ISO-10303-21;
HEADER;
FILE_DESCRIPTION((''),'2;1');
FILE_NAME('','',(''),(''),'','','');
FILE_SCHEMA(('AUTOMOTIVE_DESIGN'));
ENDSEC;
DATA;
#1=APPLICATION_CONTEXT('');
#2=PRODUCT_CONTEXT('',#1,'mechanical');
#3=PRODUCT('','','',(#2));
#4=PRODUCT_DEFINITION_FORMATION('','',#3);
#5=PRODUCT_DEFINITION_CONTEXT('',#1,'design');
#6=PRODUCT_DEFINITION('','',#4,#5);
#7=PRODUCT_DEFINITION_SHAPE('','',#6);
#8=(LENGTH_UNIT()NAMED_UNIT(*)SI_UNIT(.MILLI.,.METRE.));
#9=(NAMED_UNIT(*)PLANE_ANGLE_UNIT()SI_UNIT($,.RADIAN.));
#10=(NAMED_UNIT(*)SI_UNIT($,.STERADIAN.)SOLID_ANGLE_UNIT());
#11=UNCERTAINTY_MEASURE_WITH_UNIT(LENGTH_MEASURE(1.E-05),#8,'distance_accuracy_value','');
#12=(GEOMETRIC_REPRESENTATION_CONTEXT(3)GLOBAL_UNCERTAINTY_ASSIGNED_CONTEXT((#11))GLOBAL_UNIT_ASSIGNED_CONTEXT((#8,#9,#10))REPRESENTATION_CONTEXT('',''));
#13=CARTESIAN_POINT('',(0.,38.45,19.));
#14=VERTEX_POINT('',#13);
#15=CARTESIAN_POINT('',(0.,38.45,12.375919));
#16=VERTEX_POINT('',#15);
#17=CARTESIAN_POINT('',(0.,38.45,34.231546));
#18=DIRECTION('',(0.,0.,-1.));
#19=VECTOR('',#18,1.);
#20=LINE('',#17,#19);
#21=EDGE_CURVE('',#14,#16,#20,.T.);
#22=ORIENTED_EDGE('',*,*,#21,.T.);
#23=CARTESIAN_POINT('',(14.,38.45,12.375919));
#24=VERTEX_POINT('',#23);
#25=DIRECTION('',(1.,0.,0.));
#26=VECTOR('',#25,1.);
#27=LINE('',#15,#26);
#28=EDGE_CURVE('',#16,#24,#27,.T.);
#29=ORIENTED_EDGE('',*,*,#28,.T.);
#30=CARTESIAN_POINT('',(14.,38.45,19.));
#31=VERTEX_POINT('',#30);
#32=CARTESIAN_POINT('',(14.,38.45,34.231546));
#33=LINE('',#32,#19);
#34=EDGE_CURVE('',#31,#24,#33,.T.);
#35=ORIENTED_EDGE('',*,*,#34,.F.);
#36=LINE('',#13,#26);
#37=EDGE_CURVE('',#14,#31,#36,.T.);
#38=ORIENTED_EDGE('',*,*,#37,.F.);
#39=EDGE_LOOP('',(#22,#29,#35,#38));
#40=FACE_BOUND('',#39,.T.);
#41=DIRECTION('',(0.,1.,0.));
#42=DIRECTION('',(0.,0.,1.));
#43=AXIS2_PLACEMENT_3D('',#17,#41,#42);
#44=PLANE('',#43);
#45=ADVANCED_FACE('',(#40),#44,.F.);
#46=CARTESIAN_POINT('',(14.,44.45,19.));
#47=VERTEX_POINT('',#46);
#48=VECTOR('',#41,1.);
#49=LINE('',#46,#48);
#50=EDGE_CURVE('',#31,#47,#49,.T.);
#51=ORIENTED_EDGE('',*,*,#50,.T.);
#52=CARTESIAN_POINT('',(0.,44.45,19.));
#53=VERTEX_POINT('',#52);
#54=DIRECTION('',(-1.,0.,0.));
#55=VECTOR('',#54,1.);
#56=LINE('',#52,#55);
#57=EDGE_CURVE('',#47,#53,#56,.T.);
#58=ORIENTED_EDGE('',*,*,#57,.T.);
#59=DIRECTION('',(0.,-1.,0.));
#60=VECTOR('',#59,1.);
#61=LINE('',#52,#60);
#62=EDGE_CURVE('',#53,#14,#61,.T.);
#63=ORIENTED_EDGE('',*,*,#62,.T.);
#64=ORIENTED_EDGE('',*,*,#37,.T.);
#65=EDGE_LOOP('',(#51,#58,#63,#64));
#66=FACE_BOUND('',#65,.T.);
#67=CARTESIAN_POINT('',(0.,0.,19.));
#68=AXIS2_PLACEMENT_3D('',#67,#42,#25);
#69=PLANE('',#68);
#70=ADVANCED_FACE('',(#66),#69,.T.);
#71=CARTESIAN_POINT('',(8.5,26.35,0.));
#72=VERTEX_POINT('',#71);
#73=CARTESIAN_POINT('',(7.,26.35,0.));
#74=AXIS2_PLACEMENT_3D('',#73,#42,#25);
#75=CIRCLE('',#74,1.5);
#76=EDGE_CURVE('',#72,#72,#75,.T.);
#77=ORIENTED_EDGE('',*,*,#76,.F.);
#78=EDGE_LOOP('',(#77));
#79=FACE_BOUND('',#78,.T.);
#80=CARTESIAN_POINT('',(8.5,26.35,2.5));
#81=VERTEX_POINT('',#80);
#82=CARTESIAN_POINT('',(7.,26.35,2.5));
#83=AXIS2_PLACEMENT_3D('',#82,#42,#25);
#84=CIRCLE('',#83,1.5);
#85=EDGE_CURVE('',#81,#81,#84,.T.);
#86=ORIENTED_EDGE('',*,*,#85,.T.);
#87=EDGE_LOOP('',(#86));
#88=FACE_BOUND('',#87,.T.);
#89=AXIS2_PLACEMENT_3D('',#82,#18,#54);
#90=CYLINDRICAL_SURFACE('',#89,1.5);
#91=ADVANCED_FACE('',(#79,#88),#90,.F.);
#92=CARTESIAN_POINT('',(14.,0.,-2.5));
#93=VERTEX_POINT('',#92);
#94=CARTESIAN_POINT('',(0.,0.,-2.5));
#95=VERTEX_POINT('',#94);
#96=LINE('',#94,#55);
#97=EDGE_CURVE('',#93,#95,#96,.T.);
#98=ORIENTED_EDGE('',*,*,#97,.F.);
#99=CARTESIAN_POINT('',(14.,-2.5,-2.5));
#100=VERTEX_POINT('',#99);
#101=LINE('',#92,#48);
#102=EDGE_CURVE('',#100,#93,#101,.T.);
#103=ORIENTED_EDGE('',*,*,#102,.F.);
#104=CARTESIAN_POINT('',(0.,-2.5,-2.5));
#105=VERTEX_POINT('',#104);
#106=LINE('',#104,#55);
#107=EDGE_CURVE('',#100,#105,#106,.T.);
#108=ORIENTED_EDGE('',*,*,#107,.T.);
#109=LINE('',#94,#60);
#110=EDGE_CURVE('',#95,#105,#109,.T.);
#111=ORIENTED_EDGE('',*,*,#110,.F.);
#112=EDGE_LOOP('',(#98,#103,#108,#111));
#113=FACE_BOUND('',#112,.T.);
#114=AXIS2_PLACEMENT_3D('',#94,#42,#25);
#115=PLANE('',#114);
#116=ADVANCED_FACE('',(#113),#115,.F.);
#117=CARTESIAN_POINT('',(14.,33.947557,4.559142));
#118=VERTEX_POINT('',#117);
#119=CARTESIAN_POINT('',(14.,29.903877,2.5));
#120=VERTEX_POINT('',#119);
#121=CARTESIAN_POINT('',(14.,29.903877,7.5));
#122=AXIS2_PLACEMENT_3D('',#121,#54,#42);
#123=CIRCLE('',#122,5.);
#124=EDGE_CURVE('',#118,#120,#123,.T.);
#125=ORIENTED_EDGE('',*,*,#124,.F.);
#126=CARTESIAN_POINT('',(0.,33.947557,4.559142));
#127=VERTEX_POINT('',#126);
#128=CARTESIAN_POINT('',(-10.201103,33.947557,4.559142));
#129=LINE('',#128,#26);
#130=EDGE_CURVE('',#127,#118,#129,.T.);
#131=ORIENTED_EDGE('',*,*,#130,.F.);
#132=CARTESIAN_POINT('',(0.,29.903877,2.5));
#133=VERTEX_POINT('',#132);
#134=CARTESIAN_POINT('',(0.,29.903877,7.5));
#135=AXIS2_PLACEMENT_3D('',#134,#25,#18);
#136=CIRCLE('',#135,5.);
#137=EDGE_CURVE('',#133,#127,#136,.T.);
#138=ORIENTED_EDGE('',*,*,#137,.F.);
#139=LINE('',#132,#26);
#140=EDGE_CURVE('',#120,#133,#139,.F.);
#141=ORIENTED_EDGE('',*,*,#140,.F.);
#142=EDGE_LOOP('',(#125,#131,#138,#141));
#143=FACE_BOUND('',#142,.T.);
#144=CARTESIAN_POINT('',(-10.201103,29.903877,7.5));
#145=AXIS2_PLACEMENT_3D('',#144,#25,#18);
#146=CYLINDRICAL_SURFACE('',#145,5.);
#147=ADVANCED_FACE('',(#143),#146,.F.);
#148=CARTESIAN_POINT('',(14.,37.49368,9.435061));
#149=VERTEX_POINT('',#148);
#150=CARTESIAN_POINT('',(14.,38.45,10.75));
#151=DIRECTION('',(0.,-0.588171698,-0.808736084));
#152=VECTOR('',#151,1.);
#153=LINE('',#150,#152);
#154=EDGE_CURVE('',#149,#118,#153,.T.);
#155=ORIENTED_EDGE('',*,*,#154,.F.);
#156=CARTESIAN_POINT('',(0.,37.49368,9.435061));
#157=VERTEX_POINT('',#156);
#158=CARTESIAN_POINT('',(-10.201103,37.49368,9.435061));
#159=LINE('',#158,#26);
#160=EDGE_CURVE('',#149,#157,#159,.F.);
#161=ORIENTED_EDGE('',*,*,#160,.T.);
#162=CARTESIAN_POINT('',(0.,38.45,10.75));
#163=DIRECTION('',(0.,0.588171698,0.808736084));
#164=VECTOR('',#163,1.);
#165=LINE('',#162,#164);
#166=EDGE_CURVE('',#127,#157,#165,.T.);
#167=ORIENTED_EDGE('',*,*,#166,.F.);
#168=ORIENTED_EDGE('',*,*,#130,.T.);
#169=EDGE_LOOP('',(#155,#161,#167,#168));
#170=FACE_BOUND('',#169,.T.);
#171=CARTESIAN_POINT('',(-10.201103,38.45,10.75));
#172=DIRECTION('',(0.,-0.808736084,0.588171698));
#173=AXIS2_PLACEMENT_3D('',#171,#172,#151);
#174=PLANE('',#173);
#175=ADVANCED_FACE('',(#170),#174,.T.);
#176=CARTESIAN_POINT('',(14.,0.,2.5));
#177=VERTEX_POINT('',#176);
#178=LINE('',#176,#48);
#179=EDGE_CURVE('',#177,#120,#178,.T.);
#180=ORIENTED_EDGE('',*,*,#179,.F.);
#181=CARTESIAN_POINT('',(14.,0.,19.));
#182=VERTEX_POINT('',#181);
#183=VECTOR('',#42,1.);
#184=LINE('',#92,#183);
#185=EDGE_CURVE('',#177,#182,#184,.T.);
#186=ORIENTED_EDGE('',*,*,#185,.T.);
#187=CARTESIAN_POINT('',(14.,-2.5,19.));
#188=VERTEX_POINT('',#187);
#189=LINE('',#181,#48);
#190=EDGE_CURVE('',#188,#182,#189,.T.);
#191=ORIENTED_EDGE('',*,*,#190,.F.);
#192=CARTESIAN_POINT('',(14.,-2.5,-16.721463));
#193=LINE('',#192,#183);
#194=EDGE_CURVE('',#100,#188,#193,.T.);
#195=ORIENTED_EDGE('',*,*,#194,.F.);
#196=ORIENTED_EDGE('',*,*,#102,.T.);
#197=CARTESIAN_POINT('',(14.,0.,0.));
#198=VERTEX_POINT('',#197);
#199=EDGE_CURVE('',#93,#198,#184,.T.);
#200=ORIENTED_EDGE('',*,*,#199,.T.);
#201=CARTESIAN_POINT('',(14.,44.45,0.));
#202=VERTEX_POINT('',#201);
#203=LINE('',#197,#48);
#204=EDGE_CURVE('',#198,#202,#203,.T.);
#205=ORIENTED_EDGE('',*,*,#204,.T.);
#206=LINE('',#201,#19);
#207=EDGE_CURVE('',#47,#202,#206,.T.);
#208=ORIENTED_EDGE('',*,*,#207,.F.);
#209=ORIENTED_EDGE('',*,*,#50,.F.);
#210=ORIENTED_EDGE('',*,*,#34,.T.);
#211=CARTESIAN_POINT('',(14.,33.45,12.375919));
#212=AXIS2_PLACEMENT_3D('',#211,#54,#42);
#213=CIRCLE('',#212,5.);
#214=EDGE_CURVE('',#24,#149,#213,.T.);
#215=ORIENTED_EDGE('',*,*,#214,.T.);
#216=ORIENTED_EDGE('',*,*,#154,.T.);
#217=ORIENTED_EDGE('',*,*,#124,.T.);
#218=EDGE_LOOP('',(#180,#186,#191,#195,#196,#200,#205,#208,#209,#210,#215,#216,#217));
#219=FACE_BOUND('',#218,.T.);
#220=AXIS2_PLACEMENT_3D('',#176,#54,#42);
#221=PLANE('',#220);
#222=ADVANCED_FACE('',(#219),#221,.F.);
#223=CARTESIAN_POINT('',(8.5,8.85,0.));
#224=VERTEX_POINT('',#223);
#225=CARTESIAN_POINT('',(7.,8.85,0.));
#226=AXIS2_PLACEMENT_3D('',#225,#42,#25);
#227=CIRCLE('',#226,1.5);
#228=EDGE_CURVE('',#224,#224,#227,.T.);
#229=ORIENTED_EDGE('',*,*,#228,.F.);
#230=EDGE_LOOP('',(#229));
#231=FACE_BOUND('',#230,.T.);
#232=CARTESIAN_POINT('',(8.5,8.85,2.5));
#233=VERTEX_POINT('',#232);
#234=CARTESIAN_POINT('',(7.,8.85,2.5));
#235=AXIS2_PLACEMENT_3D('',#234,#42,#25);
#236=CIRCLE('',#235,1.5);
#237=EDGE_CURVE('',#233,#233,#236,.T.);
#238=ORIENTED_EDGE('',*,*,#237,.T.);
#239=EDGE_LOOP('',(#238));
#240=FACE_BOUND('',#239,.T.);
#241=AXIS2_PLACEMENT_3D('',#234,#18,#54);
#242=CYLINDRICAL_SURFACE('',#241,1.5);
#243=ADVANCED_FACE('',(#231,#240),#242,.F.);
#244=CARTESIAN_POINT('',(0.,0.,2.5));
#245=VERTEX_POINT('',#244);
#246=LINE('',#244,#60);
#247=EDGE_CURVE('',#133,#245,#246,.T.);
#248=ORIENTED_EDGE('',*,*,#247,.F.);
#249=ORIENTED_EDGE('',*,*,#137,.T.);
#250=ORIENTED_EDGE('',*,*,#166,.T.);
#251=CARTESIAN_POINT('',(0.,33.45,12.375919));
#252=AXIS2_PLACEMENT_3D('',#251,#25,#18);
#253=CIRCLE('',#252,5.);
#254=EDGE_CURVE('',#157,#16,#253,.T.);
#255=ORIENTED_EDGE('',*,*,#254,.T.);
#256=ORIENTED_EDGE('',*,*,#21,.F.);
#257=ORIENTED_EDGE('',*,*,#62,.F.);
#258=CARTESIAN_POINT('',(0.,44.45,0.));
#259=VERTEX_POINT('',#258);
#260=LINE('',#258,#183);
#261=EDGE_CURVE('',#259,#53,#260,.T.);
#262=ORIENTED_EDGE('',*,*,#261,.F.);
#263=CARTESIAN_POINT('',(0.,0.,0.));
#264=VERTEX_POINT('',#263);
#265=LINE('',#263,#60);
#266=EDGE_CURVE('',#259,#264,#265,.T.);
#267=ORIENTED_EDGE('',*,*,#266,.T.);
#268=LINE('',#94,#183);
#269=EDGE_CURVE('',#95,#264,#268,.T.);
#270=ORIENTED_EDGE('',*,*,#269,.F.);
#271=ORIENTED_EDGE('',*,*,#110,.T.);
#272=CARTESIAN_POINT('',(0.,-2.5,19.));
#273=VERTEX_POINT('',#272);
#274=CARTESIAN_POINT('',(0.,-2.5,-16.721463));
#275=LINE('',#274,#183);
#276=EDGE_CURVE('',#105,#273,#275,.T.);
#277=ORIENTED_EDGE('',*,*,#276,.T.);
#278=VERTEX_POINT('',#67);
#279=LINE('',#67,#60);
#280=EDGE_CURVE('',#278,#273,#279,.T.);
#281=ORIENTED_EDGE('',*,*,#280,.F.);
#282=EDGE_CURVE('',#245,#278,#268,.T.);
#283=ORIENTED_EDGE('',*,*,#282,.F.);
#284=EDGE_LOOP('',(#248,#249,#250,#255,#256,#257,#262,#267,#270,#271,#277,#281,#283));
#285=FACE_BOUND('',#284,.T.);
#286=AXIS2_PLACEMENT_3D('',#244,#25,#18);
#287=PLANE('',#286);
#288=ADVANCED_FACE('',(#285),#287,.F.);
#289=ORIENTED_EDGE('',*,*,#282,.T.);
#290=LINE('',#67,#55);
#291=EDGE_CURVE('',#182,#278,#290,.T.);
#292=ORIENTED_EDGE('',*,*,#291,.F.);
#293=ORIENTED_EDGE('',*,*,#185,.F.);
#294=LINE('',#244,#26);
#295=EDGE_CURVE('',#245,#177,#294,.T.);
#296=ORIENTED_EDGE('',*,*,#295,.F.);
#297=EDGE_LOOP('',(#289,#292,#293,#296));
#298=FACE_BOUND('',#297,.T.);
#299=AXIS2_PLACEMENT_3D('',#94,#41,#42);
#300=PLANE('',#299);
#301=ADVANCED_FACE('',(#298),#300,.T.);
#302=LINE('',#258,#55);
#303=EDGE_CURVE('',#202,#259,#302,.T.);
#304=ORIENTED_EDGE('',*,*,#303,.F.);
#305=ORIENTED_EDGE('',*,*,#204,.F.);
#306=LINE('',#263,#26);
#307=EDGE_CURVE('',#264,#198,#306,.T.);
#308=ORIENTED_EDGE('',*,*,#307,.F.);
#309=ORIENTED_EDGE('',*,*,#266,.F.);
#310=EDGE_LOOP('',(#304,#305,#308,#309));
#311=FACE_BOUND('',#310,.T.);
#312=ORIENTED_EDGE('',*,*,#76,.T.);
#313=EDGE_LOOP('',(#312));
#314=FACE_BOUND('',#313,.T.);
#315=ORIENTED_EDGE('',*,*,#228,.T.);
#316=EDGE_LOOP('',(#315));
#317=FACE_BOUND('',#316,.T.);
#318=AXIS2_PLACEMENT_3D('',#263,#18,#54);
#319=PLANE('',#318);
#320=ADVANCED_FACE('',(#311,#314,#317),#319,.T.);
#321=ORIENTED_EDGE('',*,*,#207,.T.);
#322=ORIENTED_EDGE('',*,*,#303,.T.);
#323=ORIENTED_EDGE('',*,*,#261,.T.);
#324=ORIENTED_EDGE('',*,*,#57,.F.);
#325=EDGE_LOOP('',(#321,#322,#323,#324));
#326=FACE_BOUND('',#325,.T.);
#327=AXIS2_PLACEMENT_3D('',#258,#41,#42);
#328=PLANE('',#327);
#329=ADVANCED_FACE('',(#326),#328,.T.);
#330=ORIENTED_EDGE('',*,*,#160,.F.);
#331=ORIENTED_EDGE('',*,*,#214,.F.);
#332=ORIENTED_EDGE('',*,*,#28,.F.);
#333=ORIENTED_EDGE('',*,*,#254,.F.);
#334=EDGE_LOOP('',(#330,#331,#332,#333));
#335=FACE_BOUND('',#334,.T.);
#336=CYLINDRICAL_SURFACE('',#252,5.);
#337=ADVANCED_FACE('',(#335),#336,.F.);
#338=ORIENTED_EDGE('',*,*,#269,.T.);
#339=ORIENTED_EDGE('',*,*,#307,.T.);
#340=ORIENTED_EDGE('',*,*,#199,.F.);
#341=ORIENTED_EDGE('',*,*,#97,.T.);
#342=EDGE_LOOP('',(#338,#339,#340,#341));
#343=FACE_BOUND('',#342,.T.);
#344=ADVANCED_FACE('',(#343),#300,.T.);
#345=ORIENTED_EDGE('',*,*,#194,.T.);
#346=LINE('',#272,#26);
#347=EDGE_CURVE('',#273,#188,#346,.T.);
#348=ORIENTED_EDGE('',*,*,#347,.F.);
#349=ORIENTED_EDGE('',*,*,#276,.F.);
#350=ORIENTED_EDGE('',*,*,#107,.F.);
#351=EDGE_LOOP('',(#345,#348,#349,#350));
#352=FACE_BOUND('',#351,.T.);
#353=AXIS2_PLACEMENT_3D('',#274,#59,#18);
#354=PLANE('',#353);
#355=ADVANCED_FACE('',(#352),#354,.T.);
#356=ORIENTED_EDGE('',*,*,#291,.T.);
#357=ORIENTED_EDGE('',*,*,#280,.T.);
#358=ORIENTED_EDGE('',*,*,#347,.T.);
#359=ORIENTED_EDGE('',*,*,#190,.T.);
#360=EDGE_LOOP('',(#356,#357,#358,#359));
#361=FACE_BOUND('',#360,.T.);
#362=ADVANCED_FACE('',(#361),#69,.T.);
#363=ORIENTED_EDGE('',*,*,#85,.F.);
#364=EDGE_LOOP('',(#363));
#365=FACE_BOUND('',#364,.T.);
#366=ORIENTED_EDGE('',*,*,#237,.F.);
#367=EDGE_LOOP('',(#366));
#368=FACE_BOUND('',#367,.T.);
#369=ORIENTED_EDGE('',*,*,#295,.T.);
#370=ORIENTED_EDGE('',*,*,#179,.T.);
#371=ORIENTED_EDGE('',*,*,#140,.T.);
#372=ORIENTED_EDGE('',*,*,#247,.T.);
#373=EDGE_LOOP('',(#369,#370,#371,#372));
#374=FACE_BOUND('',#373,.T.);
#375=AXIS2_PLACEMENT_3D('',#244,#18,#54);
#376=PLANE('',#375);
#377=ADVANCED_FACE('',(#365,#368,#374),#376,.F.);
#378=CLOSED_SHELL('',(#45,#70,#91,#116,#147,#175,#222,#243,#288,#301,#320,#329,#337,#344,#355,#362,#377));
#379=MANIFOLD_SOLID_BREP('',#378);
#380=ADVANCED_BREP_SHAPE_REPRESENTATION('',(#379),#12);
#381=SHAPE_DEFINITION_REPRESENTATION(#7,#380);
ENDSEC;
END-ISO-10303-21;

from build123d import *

# Parameters (mm, degrees)
SKETCH1_W                = 14
SKETCH1_H                = 28.85
SKETCH1_R                = 1.5
BOSS_EXTRUDE1_DEPTH      = 2.5
BOSS_EXTRUDE2_DEPTH      = 16.5
BOSS_EXTRUDE2_DEPTH_BACK = 5
SKETCH3_W                = 14
SKETCH3_H                = 2
SKETCH4_W                = 14
SKETCH4_H                = 2.5
BOSS_EXTRUDE3_DEPTH      = 15.6
SKETCH5_W                = 14
SKETCH5_H                = 2.5
BOSS_EXTRUDE4_DEPTH      = 21.5
SKETCH6_W                = 14
SKETCH6_H                = 6
BOSS_EXTRUDE5_DEPTH      = 16.5
BOSS_EXTRUDE6_DEPTH      = 14
FILLET2_R                = 5


with BuildPart() as part:
    # Sketch1 → Boss-Extrude1 (new body)
    with BuildSketch(Plane.XY):
        with Locations((7, 14.425)):
            Rectangle(SKETCH1_W, SKETCH1_H)
        with Locations((7, 26.35)):
            Circle(SKETCH1_R, mode=Mode.SUBTRACT)
        with Locations((7, 8.85)):
            Circle(SKETCH1_R, mode=Mode.SUBTRACT)
    extrude(amount=BOSS_EXTRUDE1_DEPTH)

    # Sketch3 → Boss-Extrude2 (add, two sides: drawn at the far end of the back side and taken through both)
    with BuildSketch(Plane.XY.offset(2.5).offset(-BOSS_EXTRUDE2_DEPTH_BACK)):
        with Locations((7, -1)):
            Rectangle(SKETCH3_W, SKETCH3_H)
    extrude(amount=BOSS_EXTRUDE2_DEPTH + BOSS_EXTRUDE2_DEPTH_BACK)

    # Sketch4 → Boss-Extrude3 (add)
    with BuildSketch(Plane(origin=(0, 28.85, 0), x_dir=(1, 0, 0), z_dir=(0, 1, 0))):
        with Locations((7, -1.25)):
            Rectangle(SKETCH4_W, SKETCH4_H)
    extrude(amount=BOSS_EXTRUDE3_DEPTH)

    # Sketch5 → Boss-Extrude4 (add)
    with BuildSketch(Plane.XY.offset(19)):
        with Locations((7, -1.25)):
            Rectangle(SKETCH5_W, SKETCH5_H)
    extrude(amount=-BOSS_EXTRUDE4_DEPTH)

    # Sketch6 → Boss-Extrude5 (add)
    with BuildSketch(Plane.XY.offset(2.5)):
        with Locations((7, 41.45)):
            Rectangle(SKETCH6_W, SKETCH6_H)
    extrude(amount=BOSS_EXTRUDE5_DEPTH)

    # Sketch7 → Boss-Extrude6 (add)
    with BuildSketch(Plane(origin=(14, 0, 0), x_dir=(0, 0, -1), z_dir=(1, 0, 0))):
        Polygon((-10.75, 38.45), (-2.5, 32.45), (-2.5, 38.45), align=None)
    extrude(amount=-BOSS_EXTRUDE6_DEPTH)

    # Fillet2
    fillet2_edges = [part.edges().sort_by_distance(p)[0] for p in [
        (7, 38.45, 10.75),
        (7, 32.45, 2.5),
    ]]
    fillet(fillet2_edges, radius=FILLET2_R)


solid = part.part
